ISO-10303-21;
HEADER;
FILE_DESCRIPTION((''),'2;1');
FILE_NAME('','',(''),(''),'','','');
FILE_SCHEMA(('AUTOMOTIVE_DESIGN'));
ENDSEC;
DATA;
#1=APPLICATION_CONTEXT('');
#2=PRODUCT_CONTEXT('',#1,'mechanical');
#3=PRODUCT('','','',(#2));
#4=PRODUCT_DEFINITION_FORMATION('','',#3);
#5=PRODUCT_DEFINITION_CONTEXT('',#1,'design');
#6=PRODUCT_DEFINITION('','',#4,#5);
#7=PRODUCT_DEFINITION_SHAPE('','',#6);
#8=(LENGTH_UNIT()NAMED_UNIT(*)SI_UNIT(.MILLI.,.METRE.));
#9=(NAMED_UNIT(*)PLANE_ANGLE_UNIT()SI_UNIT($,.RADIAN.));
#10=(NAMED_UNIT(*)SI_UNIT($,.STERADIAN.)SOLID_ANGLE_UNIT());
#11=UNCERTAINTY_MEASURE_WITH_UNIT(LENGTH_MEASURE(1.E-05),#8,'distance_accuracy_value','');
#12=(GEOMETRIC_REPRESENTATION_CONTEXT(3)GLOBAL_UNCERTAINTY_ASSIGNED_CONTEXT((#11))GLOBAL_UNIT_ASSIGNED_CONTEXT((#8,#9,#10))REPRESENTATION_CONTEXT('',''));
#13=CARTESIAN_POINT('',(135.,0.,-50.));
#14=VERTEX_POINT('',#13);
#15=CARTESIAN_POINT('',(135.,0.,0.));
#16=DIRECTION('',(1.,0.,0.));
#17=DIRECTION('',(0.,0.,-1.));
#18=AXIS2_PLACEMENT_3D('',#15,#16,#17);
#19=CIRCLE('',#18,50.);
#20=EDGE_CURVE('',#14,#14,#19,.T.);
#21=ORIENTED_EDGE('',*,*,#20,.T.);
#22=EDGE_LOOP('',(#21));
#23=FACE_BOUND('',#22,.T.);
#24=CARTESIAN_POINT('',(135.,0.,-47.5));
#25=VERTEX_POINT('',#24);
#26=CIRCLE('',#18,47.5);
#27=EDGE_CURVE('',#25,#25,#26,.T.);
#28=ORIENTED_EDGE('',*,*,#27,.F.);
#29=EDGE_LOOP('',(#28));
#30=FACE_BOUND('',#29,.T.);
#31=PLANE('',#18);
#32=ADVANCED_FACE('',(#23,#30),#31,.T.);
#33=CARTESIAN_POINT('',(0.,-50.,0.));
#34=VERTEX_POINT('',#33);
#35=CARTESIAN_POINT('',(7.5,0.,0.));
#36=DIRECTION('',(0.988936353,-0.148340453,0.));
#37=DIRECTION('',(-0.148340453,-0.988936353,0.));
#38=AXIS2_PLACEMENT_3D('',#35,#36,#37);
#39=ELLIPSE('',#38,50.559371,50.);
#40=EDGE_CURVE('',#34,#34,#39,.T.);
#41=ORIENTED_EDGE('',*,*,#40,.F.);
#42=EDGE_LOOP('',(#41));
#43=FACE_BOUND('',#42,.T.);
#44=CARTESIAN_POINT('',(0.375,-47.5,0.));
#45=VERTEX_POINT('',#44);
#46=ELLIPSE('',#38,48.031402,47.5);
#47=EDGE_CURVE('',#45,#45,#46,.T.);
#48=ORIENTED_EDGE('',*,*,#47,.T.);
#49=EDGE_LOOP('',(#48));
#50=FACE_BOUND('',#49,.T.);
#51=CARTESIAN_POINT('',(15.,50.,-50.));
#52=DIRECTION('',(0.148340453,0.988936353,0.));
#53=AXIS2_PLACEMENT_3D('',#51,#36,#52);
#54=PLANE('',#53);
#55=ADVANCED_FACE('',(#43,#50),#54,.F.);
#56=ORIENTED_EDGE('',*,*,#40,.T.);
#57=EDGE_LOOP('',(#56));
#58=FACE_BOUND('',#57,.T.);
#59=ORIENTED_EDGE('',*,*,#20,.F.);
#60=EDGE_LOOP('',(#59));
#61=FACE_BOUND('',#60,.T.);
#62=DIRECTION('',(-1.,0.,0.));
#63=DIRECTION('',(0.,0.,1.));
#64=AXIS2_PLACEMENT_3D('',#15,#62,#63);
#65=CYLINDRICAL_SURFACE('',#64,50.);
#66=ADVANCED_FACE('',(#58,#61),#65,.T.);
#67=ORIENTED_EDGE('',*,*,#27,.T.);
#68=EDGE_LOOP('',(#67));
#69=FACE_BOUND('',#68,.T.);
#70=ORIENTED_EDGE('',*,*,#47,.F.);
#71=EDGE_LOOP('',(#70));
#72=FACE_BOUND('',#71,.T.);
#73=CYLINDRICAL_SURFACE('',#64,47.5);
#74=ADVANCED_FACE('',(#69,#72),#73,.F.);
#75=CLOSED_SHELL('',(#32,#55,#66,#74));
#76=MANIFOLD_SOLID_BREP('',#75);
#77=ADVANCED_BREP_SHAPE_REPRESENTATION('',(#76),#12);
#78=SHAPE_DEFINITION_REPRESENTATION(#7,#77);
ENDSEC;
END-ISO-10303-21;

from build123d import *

# Parameters (mm, degrees)
CROQUIS1_R                 = 50
CROQUIS1_R_2               = 47.5
EXTRUIR_L_MINA1_DEPTH      = 135
CORTAR_EXTRUIR1_DEPTH      = 153.397506541
CORTAR_EXTRUIR1_DEPTH_BACK = 153.397506541


with BuildPart() as part:
    # Croquis1 → Extruir-Lámina1 (new body)
    with BuildSketch(Plane(origin=(0, 0, 0), x_dir=(0, 0, -1), z_dir=(1, 0, 0))):
        Circle(CROQUIS1_R)
        Circle(CROQUIS1_R_2, mode=Mode.SUBTRACT)
    extrude(amount=EXTRUIR_L_MINA1_DEPTH)

    # Croquis6 → Cortar-Extruir1 (cut, two sides: drawn at the far end of the back side and taken through both)
    with BuildSketch(Plane.XY.offset(-CORTAR_EXTRUIR1_DEPTH_BACK)):
        Polygon((0, -50), (0, 50), (15, 50), align=None)
    extrude(amount=CORTAR_EXTRUIR1_DEPTH + CORTAR_EXTRUIR1_DEPTH_BACK, mode=Mode.SUBTRACT)


solid = part.part
